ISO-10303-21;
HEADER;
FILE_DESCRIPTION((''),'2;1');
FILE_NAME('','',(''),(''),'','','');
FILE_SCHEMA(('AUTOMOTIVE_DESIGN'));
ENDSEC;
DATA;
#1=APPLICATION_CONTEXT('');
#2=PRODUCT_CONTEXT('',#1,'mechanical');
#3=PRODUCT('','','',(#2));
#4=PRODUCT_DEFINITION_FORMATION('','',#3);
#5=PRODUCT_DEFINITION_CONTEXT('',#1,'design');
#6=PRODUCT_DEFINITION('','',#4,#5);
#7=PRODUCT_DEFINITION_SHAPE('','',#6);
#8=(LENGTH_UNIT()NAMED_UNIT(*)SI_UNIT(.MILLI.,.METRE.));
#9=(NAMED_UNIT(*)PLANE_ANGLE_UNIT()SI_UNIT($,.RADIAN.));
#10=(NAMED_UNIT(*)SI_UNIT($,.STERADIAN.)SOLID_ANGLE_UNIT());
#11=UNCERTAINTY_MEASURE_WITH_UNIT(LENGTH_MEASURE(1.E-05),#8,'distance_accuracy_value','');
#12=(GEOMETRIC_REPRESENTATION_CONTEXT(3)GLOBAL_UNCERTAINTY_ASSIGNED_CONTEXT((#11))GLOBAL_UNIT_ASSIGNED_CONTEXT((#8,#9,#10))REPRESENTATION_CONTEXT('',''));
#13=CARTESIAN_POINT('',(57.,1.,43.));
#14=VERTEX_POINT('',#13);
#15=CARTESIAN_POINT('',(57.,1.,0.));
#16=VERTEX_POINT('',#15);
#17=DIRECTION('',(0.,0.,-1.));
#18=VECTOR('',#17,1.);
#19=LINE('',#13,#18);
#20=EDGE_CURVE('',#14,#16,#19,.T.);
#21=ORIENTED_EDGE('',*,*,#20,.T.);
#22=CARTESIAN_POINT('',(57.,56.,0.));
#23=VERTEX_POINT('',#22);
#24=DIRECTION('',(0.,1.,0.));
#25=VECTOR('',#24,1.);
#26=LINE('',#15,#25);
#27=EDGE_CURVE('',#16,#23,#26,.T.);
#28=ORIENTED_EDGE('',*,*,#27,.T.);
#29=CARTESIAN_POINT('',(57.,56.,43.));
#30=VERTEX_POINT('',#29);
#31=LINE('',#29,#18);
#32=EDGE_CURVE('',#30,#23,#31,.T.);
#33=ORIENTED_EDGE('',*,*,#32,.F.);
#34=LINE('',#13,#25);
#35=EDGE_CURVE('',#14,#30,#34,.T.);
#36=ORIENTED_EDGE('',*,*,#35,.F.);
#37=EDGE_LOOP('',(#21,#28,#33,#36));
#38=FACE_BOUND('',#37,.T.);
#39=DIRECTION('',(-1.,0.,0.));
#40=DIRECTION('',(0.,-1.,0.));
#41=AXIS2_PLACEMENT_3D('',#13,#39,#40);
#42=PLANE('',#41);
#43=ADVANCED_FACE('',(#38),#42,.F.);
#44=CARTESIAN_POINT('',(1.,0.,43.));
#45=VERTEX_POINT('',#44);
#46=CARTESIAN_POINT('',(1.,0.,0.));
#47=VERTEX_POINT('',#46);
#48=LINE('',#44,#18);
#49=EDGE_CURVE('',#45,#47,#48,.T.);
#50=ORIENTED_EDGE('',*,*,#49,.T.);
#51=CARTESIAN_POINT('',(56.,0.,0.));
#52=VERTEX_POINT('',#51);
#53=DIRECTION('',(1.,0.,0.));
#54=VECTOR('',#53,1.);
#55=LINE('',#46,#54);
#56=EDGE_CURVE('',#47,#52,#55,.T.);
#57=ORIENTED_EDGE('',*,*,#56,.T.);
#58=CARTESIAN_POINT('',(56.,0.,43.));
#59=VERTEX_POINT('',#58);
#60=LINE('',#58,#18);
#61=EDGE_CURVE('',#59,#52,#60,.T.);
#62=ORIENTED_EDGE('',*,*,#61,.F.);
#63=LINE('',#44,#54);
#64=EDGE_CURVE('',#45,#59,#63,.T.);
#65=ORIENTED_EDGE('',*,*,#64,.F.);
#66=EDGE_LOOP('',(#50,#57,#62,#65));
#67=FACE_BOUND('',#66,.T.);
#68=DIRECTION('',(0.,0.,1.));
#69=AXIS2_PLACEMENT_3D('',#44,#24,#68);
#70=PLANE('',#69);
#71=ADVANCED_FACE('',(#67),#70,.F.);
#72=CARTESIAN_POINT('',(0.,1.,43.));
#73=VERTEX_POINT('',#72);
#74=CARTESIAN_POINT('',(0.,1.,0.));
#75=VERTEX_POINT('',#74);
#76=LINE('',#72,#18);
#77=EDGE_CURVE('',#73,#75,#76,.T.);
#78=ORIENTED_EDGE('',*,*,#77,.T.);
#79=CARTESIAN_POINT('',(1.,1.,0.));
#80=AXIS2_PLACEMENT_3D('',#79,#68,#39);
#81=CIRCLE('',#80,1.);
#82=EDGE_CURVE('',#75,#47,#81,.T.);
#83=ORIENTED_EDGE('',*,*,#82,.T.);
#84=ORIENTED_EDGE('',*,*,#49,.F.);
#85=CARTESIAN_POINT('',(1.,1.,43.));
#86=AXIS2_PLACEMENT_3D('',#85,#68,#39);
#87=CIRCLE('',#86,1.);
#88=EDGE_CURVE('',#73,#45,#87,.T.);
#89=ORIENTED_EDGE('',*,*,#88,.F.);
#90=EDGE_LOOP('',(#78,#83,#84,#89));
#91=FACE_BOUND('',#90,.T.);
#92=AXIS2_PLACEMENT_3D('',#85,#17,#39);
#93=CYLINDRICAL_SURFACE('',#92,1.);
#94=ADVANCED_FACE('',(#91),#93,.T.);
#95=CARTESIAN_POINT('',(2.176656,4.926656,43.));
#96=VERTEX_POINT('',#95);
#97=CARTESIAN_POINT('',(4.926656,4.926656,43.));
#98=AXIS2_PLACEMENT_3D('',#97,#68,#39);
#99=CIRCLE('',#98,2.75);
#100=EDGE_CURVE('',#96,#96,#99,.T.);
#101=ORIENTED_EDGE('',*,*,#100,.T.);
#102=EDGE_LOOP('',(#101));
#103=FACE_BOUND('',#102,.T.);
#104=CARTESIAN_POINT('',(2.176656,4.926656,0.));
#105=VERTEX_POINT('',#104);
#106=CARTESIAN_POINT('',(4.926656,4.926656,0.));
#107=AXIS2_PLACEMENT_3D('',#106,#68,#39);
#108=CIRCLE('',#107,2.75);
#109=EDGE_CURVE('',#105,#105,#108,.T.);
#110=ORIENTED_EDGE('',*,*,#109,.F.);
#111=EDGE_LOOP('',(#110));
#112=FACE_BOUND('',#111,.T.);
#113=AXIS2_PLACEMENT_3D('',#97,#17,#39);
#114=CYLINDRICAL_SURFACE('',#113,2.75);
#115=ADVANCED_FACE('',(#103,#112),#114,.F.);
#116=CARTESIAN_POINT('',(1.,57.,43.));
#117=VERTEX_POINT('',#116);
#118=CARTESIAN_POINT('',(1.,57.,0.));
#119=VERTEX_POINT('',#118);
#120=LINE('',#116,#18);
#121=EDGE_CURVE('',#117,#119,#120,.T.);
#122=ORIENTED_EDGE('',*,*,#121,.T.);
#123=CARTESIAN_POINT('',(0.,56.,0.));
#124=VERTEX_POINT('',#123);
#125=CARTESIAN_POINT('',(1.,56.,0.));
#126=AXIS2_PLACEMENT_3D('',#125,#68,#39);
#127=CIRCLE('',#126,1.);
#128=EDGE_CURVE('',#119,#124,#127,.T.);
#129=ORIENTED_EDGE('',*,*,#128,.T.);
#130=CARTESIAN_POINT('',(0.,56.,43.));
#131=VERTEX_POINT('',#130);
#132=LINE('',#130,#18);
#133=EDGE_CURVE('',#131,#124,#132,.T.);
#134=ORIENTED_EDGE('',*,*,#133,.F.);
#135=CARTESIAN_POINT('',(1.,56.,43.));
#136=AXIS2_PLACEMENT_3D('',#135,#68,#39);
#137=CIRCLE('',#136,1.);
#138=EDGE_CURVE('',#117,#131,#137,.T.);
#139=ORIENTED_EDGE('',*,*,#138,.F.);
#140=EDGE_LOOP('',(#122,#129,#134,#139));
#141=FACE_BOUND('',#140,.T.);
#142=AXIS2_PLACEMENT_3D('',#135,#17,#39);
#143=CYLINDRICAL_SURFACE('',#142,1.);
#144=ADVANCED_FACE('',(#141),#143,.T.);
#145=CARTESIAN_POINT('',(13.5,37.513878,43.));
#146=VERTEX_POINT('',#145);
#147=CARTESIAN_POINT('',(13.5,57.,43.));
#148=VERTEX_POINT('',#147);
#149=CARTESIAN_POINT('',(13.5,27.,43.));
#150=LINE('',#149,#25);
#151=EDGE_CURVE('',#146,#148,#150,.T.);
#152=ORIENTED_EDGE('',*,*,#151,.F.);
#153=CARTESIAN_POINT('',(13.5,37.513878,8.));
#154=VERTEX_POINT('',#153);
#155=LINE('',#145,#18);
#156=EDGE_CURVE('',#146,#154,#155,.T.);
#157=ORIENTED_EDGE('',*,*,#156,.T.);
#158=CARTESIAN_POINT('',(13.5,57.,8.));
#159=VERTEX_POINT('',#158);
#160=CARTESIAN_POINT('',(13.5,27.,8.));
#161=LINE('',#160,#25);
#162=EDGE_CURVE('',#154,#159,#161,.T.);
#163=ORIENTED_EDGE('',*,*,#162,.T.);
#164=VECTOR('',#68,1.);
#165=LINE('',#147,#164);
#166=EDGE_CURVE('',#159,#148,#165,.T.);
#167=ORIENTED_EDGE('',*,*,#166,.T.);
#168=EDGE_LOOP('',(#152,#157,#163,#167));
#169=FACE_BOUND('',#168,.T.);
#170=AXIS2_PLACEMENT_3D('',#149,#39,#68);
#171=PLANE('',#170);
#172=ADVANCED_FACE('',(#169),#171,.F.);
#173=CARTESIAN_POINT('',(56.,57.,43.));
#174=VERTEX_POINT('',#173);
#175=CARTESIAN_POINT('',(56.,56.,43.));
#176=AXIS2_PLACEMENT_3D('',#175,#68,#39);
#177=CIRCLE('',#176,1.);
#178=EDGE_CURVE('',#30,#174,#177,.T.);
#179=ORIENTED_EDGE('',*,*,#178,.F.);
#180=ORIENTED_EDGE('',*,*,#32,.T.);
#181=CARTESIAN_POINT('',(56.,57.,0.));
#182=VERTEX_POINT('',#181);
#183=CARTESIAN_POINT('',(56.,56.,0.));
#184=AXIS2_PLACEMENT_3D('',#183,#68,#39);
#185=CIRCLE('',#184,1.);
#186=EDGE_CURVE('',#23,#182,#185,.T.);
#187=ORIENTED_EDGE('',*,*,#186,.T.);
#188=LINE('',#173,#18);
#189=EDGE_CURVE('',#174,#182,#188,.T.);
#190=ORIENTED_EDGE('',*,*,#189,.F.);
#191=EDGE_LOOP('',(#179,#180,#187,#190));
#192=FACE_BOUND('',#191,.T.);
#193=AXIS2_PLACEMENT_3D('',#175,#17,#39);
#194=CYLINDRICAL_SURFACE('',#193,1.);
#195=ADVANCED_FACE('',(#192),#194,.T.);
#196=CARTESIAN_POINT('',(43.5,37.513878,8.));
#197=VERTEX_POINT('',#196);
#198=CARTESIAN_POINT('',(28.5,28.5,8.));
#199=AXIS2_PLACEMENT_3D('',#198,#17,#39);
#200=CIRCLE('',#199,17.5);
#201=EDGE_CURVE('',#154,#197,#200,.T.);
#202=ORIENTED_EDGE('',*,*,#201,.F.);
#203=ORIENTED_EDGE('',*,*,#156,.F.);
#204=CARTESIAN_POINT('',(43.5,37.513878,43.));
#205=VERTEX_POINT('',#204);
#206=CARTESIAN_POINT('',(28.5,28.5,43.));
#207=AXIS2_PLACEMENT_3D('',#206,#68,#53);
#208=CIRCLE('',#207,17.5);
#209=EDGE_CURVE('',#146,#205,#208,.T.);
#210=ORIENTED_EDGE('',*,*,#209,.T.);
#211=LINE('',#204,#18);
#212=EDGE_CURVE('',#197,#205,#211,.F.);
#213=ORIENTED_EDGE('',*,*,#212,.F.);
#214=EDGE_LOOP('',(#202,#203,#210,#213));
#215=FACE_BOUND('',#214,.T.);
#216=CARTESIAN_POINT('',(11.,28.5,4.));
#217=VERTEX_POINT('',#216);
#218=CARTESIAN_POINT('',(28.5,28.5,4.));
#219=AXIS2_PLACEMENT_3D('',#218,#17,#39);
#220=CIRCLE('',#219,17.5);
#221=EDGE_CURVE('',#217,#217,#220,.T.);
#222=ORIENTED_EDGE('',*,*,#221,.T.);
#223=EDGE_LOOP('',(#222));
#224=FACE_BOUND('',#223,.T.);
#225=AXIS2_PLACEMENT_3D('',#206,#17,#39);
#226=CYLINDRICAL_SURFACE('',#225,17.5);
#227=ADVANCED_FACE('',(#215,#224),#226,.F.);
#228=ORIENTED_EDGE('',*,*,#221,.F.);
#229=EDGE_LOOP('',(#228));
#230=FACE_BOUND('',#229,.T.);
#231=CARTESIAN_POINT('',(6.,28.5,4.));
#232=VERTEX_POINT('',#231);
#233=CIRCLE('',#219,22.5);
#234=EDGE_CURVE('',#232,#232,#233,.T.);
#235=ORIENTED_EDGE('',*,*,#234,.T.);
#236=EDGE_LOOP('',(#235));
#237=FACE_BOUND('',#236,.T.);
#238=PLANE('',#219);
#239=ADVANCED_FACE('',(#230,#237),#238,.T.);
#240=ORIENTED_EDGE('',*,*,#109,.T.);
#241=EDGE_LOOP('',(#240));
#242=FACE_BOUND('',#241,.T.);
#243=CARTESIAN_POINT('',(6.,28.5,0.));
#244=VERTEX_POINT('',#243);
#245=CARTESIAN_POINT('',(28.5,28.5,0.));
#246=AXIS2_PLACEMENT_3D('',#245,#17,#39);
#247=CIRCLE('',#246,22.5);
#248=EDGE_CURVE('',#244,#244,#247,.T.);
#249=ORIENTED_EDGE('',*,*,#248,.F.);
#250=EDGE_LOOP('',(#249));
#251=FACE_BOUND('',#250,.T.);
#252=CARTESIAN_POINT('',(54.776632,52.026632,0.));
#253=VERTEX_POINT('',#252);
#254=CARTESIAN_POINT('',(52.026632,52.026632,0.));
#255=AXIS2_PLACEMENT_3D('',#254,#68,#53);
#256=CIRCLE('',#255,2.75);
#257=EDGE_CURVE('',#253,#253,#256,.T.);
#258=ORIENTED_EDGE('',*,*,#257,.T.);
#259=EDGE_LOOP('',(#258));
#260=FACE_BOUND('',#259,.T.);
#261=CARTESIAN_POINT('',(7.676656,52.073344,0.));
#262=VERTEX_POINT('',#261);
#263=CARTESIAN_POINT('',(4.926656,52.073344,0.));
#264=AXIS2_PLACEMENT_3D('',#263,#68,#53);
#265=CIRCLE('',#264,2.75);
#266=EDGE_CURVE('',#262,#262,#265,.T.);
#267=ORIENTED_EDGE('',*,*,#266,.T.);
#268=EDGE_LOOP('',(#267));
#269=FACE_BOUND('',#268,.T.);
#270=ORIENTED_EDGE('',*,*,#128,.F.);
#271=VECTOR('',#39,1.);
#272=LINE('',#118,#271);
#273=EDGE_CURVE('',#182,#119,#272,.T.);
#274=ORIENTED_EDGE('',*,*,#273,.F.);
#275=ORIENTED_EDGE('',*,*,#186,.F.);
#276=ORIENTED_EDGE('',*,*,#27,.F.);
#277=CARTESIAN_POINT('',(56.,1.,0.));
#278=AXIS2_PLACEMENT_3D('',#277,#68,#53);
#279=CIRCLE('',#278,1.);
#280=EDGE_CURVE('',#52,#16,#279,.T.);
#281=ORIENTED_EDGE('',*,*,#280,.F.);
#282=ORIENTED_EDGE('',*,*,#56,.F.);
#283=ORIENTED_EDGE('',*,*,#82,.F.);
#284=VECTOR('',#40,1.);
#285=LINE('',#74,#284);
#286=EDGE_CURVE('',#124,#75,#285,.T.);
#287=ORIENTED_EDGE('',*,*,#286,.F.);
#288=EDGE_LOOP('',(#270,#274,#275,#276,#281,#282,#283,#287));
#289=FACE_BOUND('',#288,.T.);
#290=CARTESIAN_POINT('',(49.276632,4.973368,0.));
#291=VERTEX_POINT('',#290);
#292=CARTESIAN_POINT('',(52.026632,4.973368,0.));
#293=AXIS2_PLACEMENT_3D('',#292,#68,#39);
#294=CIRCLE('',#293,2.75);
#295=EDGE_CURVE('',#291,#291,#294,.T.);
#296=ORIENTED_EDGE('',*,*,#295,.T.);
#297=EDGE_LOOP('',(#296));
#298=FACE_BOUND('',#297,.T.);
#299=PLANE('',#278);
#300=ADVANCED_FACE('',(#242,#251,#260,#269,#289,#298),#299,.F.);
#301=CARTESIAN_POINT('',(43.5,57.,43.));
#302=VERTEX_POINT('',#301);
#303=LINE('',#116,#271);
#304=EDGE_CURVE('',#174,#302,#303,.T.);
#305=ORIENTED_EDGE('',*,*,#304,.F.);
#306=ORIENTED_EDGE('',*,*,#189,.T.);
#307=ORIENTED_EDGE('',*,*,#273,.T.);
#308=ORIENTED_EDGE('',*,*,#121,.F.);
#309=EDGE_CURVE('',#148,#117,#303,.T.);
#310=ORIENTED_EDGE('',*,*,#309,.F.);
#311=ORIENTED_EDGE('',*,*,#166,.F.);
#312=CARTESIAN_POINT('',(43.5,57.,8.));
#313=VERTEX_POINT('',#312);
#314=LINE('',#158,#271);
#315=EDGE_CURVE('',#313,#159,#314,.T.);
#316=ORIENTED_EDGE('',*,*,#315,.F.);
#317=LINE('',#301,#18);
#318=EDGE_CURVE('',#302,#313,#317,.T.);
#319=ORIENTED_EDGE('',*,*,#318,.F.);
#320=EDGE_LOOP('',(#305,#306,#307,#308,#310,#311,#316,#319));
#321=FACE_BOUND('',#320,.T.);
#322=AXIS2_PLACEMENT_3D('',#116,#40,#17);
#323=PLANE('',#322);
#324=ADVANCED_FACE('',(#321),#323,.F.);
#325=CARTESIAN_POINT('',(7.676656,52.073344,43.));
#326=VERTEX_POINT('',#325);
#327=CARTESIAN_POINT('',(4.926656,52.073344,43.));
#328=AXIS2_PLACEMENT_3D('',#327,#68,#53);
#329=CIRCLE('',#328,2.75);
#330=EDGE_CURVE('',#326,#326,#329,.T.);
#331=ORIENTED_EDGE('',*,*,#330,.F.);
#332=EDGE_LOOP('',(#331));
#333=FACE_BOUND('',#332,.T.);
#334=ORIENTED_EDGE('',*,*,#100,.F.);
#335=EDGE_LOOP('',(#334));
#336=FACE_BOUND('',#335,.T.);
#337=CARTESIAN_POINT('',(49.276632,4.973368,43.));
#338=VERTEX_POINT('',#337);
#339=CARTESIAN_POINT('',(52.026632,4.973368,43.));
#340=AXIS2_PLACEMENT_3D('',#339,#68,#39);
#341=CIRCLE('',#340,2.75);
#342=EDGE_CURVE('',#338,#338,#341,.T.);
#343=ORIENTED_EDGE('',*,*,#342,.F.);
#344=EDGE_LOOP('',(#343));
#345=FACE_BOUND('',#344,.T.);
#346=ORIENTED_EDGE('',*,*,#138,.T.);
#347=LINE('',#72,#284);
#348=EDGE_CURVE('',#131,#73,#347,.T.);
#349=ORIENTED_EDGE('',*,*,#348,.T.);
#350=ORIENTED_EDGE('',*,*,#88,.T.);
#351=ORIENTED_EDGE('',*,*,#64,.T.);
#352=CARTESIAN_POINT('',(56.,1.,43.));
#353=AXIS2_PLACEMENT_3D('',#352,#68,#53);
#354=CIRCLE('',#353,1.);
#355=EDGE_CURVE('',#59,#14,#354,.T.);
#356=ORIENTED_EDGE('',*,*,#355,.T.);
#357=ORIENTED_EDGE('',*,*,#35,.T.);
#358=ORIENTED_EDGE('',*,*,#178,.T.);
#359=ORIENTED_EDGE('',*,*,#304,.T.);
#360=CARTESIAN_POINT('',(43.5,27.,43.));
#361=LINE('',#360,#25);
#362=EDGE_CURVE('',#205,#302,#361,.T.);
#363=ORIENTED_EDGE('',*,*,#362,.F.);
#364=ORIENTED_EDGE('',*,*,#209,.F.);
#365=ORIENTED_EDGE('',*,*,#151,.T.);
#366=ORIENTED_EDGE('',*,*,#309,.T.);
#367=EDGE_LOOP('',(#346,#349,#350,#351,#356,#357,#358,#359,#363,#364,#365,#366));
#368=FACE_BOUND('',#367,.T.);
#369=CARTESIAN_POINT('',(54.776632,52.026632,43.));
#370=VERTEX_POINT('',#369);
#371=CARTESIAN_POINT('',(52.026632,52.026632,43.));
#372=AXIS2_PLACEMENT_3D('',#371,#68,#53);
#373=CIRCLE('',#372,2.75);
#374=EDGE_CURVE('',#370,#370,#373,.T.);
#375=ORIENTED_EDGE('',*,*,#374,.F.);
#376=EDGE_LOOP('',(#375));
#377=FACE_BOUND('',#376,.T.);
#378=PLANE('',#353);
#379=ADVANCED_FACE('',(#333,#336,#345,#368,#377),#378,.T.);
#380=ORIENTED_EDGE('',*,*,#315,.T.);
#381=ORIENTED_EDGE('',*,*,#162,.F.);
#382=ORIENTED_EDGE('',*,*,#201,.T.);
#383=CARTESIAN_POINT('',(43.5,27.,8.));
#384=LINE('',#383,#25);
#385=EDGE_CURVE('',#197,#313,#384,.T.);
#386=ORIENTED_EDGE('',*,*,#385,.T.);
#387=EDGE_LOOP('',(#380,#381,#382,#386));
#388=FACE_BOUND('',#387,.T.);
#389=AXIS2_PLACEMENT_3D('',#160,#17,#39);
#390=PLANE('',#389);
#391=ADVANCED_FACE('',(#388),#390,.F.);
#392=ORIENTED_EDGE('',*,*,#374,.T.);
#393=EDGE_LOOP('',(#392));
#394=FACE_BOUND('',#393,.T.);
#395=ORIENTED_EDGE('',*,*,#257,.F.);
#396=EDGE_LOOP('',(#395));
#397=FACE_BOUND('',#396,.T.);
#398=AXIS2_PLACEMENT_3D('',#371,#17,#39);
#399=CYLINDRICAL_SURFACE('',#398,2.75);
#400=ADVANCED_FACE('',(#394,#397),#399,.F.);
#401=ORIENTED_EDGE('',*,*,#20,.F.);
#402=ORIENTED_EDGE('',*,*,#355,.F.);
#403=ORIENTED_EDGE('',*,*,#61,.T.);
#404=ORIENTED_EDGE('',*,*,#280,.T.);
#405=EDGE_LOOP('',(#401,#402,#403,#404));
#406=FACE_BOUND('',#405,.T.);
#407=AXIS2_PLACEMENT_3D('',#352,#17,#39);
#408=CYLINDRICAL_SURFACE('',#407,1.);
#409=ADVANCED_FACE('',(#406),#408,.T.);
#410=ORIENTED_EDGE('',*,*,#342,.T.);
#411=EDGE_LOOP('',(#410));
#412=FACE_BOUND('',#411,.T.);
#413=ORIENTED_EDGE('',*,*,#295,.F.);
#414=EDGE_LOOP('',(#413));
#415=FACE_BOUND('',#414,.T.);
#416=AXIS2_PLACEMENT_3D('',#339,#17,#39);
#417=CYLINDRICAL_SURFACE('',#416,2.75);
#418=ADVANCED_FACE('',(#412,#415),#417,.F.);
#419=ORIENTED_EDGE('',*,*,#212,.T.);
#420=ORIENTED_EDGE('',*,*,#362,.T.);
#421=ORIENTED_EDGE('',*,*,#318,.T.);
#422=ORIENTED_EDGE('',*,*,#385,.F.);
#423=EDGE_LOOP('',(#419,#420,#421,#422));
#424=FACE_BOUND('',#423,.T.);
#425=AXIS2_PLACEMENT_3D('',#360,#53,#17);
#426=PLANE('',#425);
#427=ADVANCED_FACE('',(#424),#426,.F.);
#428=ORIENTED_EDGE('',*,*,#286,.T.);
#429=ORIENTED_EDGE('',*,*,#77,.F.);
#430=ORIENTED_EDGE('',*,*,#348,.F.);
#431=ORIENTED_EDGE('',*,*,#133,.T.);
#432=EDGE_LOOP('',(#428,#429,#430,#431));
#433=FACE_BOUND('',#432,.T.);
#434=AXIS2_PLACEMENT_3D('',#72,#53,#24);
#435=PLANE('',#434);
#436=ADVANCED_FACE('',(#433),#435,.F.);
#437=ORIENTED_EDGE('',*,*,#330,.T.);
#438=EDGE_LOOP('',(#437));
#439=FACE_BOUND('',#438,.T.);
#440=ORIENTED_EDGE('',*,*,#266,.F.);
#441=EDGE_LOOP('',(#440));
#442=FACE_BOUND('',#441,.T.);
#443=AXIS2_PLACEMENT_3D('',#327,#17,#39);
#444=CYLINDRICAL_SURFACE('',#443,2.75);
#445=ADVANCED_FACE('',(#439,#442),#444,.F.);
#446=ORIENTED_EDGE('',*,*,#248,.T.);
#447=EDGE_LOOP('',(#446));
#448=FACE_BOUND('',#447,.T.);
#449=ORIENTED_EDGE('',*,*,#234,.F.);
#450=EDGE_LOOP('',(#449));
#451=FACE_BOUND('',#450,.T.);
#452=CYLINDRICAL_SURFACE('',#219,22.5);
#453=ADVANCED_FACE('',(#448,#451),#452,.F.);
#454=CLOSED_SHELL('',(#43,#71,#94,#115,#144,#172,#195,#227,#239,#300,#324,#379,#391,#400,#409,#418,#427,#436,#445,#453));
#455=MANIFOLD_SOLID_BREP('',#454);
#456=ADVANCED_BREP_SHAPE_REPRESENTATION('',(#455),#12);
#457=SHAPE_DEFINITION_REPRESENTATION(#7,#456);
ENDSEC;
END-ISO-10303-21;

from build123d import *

# Parameters (mm, degrees)
ESQUISSE1_R             = 17.5
ESQUISSE1_R_2           = 2.75
BOSS_EXTRU_1_DEPTH      = 43
ESQUISSE2_W             = 30
ESQUISSE2_H             = 35
ENL_V_MAT_EXTRU_1_DEPTH = 30
ESQUISSE3_R             = 22.5
ENL_V_MAT_EXTRU_2_DEPTH = 4


with BuildPart() as part:
    # Esquisse1 → Boss.-Extru.1 (new body)
    with BuildSketch(Plane.XY):
        with BuildLine():
            Line((1, 0), (56, 0))
            ThreePointArc((56, 0), (56.707106781, 0.292893219), (57, 1))
            Line((57, 1), (57, 56))
            ThreePointArc((57, 56), (56.707106781, 56.707106781), (56, 57))
            Line((56, 57), (1, 57))
            ThreePointArc((1, 57), (0.292893219, 56.707106781), (0, 56))
            Line((0, 56), (0, 1))
            ThreePointArc((0, 1), (0.292893219, 0.292893219), (1, 0))
        make_face()
        with Locations((28.5, 28.5)):
            Circle(ESQUISSE1_R, mode=Mode.SUBTRACT)
        with Locations((4.926655582, 52.073344418)):
            Circle(ESQUISSE1_R_2, mode=Mode.SUBTRACT)
        with Locations((52.026632419, 52.026632419)):
            Circle(ESQUISSE1_R_2, mode=Mode.SUBTRACT)
        with Locations(Location((4.926655582, 4.926655582, 0), (0, 0, 180))):
            Circle(ESQUISSE1_R_2, mode=Mode.SUBTRACT)
        with Locations(Location((52.026632419, 4.973367581, 0), (0, 0, 180))):
            Circle(ESQUISSE1_R_2, mode=Mode.SUBTRACT)
    extrude(amount=BOSS_EXTRU_1_DEPTH)

    # Esquisse2 → Enlèv. mat.-Extru.1 (cut)
    with BuildSketch(Plane(origin=(0, 57, 0), x_dir=(1, 0, 0), z_dir=(0, 1, 0))):
        with Locations((28.5, -25.5)):
            Rectangle(ESQUISSE2_W, ESQUISSE2_H)
    extrude(amount=-ENL_V_MAT_EXTRU_1_DEPTH, mode=Mode.SUBTRACT)

    # Esquisse3 → Enlèv. mat.-Extru.2 (cut)
    with BuildSketch(Plane(origin=(0, 0, 0), x_dir=(-1, 0, 0), z_dir=(0, 0, -1))):
        with Locations((-28.5, 28.5)):
            Circle(ESQUISSE3_R)
    extrude(amount=-ENL_V_MAT_EXTRU_2_DEPTH, mode=Mode.SUBTRACT)


solid = part.part
